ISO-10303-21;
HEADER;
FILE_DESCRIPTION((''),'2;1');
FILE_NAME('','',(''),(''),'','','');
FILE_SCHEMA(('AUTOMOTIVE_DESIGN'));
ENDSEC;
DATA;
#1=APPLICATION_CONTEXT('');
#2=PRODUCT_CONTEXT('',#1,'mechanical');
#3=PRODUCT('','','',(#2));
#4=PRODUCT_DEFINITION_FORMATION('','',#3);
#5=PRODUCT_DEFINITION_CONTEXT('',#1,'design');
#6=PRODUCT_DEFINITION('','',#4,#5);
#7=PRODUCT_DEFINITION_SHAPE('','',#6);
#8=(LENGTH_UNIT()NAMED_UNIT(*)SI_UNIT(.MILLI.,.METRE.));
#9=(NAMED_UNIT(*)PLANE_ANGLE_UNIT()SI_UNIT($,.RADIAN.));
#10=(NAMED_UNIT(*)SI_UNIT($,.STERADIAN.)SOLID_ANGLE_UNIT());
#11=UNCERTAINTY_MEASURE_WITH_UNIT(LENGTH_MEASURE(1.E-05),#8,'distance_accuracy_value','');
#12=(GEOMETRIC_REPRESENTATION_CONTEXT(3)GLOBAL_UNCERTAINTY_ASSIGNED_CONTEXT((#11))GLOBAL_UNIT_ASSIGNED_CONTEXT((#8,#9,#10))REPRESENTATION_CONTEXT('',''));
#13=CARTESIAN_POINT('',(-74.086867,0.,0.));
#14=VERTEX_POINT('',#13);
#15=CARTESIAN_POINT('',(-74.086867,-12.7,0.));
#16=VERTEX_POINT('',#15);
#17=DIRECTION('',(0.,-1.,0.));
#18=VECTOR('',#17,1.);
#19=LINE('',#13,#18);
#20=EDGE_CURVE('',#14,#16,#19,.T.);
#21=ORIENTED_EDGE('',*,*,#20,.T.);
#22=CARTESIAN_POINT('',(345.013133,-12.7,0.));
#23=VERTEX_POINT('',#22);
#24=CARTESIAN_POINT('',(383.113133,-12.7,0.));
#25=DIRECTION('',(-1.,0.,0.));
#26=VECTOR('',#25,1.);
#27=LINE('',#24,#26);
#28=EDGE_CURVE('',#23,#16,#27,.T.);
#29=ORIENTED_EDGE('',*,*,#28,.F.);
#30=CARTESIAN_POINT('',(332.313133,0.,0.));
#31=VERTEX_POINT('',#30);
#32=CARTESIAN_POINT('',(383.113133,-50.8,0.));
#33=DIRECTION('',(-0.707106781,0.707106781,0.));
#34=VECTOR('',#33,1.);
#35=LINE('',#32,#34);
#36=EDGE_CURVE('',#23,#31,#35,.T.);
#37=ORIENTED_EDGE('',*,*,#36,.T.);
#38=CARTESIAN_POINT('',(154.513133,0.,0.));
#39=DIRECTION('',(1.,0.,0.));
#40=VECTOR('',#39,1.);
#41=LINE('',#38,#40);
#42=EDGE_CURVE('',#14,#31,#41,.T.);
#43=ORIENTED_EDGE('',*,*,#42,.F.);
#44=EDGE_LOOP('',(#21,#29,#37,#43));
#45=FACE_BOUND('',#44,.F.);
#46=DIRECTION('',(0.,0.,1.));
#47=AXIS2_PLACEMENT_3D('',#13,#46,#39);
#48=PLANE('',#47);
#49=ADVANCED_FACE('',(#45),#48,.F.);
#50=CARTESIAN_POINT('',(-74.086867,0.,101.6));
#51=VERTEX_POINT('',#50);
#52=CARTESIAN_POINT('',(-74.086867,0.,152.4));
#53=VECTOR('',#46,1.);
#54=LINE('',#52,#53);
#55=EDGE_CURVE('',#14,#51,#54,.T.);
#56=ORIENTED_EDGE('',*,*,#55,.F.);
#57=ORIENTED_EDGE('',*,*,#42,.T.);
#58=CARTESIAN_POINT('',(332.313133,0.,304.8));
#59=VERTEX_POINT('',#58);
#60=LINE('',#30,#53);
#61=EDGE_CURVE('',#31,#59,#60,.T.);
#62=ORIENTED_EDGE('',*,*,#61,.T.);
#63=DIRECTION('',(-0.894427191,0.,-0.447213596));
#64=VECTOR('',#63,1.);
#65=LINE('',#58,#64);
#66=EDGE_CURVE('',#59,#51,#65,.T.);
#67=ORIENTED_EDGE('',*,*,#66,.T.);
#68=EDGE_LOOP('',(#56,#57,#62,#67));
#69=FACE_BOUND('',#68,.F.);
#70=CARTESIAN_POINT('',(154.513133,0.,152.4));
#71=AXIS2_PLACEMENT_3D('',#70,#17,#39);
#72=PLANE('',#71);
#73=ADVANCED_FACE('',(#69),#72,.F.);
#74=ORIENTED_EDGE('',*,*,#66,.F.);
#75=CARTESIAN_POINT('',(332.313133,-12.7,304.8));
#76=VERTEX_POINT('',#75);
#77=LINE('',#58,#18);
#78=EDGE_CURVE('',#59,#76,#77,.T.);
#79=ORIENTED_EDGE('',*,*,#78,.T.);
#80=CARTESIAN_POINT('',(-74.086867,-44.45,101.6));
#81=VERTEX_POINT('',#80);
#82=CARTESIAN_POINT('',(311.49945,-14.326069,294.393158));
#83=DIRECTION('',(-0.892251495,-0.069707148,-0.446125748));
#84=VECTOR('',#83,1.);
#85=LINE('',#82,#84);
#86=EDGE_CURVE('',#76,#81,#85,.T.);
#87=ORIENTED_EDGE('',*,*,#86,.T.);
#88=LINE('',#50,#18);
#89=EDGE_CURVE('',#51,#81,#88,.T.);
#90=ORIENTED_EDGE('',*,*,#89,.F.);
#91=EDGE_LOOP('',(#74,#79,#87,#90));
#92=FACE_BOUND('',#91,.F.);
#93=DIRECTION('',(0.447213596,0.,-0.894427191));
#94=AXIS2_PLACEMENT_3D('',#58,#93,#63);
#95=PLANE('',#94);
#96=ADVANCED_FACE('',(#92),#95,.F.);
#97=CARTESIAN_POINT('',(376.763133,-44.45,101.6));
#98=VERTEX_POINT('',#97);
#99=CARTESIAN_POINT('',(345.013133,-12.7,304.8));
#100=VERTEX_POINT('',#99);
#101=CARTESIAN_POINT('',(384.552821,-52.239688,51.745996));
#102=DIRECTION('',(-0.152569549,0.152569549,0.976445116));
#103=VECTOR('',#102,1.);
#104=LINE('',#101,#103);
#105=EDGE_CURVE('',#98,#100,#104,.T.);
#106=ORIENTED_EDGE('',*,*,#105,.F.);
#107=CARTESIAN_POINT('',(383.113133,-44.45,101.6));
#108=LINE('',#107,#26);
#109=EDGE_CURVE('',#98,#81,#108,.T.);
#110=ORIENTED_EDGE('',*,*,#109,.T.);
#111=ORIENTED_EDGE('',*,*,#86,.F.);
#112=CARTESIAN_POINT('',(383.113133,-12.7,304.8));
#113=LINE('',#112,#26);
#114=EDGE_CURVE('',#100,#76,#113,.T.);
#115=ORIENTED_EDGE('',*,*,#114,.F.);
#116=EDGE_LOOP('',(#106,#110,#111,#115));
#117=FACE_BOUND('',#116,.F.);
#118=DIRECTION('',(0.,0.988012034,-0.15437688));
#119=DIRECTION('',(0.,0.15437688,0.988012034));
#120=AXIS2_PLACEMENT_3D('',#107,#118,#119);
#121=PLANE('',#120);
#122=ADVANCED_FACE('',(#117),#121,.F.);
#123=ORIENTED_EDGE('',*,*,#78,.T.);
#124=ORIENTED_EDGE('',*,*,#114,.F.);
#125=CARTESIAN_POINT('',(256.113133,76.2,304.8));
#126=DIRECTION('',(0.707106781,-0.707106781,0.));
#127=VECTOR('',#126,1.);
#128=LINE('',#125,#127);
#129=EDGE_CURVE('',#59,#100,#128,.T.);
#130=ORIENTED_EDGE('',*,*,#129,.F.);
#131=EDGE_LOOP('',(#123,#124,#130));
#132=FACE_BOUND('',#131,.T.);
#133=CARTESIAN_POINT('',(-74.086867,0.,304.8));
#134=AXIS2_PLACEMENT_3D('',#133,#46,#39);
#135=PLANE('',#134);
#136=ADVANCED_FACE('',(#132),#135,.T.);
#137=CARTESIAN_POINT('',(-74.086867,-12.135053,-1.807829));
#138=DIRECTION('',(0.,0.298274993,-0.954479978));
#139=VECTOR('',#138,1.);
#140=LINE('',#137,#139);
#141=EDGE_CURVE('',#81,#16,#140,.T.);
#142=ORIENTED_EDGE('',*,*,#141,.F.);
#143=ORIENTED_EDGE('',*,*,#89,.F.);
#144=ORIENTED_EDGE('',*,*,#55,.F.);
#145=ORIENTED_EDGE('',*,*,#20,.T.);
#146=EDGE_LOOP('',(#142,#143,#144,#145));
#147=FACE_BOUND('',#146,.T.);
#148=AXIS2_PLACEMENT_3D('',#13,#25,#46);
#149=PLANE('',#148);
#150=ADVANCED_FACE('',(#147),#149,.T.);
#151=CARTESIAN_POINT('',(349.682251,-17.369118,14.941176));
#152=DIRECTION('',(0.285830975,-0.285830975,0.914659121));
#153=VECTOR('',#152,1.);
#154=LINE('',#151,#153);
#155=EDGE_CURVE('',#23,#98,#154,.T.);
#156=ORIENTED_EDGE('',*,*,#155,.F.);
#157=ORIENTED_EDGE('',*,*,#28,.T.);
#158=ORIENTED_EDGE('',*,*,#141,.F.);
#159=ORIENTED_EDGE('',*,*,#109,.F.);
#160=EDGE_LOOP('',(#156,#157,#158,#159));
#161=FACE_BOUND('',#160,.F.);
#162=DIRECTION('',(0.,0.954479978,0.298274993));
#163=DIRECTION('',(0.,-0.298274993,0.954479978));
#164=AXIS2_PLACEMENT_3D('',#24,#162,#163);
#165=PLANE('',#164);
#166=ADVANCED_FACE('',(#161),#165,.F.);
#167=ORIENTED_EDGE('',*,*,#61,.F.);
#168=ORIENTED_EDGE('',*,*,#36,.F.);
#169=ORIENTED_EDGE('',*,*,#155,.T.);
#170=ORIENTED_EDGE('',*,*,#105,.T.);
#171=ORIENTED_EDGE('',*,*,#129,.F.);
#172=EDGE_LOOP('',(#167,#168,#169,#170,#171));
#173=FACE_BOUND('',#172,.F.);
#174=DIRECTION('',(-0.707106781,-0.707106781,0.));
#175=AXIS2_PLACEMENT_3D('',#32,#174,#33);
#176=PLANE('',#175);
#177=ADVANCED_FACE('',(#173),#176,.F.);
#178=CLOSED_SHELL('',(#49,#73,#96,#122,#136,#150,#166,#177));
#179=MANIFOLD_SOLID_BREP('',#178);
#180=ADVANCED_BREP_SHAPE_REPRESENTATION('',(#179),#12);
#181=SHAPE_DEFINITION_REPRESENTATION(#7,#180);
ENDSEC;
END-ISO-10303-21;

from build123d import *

# Parameters (mm, degrees)
F0_W     = 457.2
F0_H     = 304.8
F1_DEPTH = 44.45
F3_DEPTH = 457.201
F5_DEPTH = 44.451
F7_DEPTH = 304.801


with BuildPart() as f1:
    # F0 (on Front) → F1 (new body)
    with BuildSketch(Plane.XZ):
        with Locations((154.513133, 152.4)):
            Rectangle(F0_W, F0_H)
    extrude(amount=F1_DEPTH)

    # F2 (on face) → F3 (cut, through all)
    with BuildSketch(Plane.YZ.offset(383.113133)):
        Polygon((-44.45, 101.6), (-12.7, 304.8), (-82.839599, 304.8), (-82.839599, 0), (-12.7, 0), align=None)
    extrude(amount=-F3_DEPTH, mode=Mode.SUBTRACT)

    # F4 (on face) → F5 (cut, through all)
    with BuildSketch(Plane(origin=(0, 0, 0), x_dir=(-1, 0, 0), z_dir=(0, 1, 0))):
        Polygon((74.086867, 304.8), (-332.313133, 304.8), (74.086867, 101.6), align=None)
    extrude(amount=-F5_DEPTH, mode=Mode.SUBTRACT)

    # F6 (on face) → F7 (cut, through all)
    with BuildSketch(Plane(origin=(0, 0, 0), x_dir=(1, 0, 0), z_dir=(0, 0, -1))):
        Polygon((332.313133, 0), (383.113133, 0), (383.113133, 50.8), align=None)
    extrude(amount=-F7_DEPTH, mode=Mode.SUBTRACT)


solid = f1.part
